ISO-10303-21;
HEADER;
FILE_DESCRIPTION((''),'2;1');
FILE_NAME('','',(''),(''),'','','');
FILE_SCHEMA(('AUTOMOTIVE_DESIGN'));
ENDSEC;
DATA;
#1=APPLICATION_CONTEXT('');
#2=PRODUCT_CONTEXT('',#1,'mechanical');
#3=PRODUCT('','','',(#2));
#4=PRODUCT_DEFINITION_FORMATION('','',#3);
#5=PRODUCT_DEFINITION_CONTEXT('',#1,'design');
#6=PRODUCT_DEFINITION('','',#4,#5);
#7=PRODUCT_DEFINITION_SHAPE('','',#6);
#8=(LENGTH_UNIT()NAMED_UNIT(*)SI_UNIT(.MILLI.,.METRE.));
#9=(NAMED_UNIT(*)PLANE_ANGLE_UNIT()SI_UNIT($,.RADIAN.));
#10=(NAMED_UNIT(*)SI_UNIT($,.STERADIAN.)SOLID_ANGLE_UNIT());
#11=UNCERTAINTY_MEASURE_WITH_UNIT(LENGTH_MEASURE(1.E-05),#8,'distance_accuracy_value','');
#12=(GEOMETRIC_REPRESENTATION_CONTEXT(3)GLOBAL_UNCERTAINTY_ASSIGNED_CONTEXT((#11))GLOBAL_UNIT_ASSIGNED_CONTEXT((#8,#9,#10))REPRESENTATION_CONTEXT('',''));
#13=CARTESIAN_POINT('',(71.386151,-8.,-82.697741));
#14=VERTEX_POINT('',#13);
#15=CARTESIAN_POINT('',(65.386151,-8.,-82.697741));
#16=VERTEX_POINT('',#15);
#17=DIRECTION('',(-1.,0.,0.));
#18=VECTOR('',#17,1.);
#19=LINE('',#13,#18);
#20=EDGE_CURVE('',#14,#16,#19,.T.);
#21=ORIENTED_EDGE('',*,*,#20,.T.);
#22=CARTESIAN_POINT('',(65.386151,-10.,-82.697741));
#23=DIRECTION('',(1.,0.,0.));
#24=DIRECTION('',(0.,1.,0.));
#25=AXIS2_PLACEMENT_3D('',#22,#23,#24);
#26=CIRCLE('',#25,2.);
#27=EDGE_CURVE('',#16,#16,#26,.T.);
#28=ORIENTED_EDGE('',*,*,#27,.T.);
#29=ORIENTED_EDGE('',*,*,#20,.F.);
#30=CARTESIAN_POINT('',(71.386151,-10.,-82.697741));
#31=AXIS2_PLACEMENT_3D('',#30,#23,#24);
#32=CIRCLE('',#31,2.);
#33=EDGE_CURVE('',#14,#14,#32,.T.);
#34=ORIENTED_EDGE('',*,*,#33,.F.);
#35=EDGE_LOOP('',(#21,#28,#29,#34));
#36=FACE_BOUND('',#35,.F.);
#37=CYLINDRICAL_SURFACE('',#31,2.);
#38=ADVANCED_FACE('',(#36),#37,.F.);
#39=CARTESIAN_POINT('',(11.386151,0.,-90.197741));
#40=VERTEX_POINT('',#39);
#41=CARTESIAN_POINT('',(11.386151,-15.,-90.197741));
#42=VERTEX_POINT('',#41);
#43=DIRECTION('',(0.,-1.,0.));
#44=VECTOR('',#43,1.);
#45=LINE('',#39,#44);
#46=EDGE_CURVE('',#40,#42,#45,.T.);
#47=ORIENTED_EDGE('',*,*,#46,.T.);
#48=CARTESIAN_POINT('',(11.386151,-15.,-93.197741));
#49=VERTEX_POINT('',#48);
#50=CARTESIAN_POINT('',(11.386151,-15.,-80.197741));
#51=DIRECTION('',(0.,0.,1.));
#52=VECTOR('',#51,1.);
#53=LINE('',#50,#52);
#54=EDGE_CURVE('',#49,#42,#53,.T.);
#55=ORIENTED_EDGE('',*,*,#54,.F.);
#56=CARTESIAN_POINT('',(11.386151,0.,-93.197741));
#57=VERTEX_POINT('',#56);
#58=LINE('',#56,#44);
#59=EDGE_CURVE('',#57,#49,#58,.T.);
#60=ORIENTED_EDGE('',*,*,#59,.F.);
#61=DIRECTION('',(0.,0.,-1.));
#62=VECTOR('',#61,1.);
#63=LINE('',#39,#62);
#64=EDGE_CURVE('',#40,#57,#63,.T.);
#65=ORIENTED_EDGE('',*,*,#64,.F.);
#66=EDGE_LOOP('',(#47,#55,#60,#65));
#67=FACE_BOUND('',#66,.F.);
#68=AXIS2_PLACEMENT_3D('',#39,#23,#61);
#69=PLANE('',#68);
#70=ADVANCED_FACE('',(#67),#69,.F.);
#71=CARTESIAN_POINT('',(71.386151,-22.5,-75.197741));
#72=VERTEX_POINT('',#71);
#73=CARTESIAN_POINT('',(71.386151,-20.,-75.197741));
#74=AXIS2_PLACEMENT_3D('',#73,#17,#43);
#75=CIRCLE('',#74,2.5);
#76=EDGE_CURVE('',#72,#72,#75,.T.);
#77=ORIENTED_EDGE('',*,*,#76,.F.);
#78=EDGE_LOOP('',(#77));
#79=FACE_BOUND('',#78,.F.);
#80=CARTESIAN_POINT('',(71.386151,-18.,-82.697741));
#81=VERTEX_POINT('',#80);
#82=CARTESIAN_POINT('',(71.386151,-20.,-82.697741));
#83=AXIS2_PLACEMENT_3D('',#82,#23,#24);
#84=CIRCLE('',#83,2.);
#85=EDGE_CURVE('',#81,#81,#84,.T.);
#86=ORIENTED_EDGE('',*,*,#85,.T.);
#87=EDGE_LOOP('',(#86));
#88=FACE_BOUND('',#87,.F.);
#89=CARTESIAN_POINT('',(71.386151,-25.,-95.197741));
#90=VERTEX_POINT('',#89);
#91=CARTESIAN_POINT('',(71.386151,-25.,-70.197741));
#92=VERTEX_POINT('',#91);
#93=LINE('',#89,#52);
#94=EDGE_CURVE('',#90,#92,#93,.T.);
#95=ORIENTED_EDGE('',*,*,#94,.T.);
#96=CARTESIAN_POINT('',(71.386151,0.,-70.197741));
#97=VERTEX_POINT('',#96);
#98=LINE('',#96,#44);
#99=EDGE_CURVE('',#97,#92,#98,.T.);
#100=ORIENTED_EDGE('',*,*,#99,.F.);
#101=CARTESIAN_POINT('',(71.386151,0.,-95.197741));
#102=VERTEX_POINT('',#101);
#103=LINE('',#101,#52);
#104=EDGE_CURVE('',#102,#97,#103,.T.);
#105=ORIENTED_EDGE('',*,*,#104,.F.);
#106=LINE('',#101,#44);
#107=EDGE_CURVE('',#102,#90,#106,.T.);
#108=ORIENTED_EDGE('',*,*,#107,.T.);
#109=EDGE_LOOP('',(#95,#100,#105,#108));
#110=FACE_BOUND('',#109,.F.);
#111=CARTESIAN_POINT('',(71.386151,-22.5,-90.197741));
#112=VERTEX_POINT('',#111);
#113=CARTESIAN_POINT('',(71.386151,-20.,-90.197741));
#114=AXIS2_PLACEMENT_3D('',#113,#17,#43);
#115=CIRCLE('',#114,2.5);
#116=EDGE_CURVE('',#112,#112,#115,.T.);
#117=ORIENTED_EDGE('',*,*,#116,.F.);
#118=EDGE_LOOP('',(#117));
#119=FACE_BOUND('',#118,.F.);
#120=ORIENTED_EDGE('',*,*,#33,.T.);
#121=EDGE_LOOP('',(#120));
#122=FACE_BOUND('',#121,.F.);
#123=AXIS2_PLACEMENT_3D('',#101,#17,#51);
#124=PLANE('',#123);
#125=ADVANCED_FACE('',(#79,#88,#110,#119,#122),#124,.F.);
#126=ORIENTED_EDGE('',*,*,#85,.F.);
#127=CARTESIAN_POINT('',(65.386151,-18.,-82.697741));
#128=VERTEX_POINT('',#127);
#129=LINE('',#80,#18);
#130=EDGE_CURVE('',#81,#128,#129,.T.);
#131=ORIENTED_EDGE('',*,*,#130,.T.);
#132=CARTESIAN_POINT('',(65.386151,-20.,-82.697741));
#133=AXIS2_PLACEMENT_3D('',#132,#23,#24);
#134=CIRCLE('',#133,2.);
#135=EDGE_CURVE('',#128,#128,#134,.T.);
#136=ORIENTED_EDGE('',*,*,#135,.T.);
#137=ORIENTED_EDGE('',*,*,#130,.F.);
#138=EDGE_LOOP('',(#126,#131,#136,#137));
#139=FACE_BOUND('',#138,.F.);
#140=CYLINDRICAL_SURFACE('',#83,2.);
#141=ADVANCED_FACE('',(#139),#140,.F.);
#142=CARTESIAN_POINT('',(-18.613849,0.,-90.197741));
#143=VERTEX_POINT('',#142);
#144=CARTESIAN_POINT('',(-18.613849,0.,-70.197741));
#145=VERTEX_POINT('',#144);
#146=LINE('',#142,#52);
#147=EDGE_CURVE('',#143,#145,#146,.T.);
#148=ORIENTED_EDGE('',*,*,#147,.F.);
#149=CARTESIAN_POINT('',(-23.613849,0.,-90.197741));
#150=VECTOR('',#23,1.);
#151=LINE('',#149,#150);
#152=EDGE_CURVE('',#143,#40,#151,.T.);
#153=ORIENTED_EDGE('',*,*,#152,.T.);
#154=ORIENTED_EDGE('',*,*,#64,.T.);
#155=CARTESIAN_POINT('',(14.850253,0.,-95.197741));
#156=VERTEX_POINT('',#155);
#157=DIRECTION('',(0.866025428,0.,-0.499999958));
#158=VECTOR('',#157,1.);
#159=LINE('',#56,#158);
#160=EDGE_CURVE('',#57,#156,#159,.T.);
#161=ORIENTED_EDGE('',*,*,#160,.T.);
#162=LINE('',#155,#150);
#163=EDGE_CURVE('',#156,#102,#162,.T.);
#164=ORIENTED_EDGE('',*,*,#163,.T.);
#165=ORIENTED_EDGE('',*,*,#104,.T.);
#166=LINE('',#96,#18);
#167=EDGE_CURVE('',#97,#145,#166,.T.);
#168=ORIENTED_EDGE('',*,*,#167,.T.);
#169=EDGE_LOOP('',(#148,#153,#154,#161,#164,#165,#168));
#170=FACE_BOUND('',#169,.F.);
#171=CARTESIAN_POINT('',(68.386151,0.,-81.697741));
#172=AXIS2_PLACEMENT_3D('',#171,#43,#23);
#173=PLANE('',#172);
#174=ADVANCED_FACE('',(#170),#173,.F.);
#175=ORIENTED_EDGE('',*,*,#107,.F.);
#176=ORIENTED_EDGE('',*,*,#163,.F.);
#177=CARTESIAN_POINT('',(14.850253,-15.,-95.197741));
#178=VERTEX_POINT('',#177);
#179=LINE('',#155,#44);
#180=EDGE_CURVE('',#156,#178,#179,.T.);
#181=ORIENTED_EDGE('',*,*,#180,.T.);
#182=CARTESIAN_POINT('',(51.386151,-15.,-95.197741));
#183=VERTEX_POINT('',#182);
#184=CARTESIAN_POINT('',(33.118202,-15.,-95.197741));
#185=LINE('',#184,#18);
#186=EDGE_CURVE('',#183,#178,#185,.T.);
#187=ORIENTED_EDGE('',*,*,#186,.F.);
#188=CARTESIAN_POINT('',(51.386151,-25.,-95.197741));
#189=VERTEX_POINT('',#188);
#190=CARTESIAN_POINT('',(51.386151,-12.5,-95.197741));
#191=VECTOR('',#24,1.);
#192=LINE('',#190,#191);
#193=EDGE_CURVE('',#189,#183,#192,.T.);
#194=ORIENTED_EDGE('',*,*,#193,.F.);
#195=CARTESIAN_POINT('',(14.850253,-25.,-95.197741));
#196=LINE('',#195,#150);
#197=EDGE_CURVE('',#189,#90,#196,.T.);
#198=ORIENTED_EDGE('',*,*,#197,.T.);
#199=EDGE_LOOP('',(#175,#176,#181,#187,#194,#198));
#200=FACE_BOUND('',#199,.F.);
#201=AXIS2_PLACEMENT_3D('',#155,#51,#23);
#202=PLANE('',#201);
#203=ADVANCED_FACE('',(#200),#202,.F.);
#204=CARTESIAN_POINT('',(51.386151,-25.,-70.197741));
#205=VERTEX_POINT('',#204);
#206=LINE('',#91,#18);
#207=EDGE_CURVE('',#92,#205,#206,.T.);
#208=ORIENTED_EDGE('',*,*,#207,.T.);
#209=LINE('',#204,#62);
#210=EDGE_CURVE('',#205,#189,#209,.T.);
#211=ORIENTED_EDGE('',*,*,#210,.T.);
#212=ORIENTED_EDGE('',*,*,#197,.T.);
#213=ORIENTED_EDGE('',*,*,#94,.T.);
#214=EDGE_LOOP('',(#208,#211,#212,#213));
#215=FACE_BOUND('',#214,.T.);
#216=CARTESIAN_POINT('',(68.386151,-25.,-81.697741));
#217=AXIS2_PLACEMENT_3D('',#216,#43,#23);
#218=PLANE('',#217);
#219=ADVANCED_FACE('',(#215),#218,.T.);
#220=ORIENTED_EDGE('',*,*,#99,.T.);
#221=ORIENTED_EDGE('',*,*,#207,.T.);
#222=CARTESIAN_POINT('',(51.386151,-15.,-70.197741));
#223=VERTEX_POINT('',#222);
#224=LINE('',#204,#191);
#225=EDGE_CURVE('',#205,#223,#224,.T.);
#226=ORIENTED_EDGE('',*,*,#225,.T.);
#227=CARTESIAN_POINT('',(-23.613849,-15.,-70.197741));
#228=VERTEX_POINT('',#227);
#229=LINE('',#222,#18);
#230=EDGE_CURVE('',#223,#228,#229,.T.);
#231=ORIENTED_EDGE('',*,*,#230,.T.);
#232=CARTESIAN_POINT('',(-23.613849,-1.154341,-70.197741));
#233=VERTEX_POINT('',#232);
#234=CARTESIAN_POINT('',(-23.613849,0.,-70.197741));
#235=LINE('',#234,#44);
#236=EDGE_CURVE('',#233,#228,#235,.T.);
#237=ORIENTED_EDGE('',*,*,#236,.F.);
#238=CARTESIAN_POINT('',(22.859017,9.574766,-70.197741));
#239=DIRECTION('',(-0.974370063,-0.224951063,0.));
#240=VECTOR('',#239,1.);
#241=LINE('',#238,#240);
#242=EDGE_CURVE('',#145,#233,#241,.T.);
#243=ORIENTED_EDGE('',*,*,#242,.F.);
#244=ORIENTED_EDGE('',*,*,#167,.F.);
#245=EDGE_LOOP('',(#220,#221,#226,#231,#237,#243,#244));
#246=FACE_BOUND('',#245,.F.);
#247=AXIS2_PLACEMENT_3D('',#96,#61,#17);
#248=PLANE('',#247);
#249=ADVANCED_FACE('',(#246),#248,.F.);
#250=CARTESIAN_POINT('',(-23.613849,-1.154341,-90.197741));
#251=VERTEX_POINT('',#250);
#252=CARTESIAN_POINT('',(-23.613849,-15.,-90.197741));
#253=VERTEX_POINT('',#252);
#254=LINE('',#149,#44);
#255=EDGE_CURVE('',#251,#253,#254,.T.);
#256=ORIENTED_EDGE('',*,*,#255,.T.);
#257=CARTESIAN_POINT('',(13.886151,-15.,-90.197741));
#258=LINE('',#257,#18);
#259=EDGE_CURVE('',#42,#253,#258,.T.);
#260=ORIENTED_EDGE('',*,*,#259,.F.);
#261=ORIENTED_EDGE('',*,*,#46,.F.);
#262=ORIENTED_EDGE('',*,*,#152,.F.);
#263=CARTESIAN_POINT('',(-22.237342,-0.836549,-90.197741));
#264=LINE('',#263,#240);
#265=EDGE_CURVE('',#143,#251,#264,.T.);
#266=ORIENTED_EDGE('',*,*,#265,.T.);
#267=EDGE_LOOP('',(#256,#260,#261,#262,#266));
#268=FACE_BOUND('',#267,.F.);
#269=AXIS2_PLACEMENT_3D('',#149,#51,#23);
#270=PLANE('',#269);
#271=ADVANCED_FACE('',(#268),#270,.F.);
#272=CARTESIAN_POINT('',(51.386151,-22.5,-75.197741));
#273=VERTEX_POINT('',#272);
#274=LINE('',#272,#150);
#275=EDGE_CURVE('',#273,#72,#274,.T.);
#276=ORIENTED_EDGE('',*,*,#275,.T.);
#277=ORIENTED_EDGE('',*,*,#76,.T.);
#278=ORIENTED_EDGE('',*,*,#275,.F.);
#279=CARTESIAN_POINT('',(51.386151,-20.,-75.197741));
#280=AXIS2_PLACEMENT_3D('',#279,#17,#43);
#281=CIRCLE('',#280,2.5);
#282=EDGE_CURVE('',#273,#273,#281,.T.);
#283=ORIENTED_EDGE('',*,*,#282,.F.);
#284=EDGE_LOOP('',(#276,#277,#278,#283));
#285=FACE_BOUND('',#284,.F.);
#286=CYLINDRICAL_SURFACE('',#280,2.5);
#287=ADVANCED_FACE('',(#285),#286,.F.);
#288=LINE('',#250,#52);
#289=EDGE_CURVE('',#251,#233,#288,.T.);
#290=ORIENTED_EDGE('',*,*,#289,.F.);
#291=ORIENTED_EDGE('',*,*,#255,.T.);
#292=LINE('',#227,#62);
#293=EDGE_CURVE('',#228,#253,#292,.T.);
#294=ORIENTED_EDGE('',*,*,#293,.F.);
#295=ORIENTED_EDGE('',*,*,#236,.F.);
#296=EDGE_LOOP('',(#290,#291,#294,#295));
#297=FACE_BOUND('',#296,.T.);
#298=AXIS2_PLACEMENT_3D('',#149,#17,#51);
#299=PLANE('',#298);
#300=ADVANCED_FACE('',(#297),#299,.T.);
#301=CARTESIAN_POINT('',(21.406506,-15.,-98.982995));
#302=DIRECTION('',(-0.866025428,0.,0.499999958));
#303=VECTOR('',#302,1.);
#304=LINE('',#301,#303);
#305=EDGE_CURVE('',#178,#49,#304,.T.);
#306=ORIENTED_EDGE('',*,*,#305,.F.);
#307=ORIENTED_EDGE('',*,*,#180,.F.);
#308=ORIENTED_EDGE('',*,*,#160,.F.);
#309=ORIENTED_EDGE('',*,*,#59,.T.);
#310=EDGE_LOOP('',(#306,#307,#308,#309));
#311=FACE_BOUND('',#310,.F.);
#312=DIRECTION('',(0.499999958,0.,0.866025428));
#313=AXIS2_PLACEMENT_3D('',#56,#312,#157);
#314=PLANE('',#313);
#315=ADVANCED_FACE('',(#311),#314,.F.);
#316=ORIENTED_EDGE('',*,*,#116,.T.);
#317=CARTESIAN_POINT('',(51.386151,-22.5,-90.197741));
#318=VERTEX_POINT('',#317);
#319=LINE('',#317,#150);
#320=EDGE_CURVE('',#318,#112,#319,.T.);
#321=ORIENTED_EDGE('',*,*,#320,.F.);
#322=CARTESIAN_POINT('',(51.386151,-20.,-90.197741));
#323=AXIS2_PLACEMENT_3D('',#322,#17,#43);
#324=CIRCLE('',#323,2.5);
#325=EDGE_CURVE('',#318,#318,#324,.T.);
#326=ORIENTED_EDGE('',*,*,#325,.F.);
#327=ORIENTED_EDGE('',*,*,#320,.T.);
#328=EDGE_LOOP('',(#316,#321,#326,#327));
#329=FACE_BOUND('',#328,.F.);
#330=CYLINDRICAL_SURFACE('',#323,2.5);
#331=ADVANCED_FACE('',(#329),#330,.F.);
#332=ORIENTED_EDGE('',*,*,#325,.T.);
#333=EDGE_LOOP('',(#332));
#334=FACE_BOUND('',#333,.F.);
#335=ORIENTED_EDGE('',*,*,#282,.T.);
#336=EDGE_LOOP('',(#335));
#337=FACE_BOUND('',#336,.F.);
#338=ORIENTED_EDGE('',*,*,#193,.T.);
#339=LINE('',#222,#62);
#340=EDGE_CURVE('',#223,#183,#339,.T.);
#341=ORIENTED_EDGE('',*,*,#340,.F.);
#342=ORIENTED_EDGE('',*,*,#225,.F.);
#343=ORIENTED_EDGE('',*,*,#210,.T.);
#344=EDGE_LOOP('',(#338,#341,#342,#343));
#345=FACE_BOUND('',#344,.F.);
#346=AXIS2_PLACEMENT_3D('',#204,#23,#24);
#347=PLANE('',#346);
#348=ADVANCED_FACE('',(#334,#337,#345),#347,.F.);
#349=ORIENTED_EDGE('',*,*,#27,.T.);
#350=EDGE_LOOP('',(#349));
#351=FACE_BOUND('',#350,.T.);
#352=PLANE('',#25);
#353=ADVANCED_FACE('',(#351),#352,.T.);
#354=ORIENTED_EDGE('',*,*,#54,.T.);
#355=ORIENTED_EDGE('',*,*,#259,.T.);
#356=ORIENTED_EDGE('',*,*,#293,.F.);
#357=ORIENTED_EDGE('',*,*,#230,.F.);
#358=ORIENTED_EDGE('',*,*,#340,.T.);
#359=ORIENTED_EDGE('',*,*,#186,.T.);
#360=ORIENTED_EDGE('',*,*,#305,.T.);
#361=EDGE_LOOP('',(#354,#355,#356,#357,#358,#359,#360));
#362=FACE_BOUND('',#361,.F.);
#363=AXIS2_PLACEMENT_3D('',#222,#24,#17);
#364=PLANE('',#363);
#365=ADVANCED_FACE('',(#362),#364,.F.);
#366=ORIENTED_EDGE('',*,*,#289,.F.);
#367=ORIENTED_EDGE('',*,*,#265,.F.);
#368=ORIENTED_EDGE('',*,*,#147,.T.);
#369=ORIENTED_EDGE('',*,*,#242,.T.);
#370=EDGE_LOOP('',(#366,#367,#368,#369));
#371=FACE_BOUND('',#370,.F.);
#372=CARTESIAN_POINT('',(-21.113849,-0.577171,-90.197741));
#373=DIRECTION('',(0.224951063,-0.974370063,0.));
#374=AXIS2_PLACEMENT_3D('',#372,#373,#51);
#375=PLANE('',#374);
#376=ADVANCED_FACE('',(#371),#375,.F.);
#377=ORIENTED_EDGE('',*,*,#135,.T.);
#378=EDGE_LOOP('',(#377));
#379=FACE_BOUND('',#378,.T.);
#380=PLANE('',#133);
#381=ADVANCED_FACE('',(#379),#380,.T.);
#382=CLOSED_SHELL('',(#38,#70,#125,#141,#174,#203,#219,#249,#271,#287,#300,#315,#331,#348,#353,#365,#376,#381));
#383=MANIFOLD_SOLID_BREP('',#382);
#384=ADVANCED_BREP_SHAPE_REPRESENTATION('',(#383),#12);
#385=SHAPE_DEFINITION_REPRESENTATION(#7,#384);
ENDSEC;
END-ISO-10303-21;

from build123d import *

# Parameters (mm, degrees)
F0_W     = 6
F0_H     = 2
F0_W_2   = 3.464102
F0_H_2   = 20
F0_W_3   = 20
F0_H_3   = 5
F1_DEPTH = 25
F3_DEPTH = 25.001
F4_R     = 2.5
F5_DEPTH = 20.001
F6_R     = 2
F7_DEPTH = 6
F8_SIZE2 = 1.154341
F8_SIZE  = 5


with BuildPart() as f1:
    # F0 (on Front) → F1 (new body)
    with BuildSketch(Plane.XZ):
        with Locations((68.386151, -81.697741)):
            Rectangle(F0_W, F0_H)
        with Locations((68.386151, -83.697741)):
            Rectangle(F0_W, F0_H)
        Polygon((51.386151, -75.197741), (51.386151, -70.197741), (-20.149747, -70.197741), (-20.149747, -90.197741), (11.386151, -90.197741), (11.386151, -93.197741), (14.850253, -95.197741), (51.386151, -95.197741), (51.386151, -90.197741), align=None)
        with Locations((-21.881798, -80.197741)):
            Rectangle(F0_W_2, F0_H_2)
        with Locations((61.386151, -72.697741)):
            Rectangle(F0_W_3, F0_H_3)
        with Locations((61.386151, -92.697741)):
            Rectangle(F0_W_3, F0_H_3)
        Polygon((71.386151, -80.697741), (71.386151, -75.197741), (51.386151, -75.197741), (51.386151, -90.197741), (71.386151, -90.197741), (71.386151, -84.697741), (65.386151, -84.697741), (64.231451, -82.697741), (65.386151, -80.697741), align=None)
        Polygon((65.386151, -82.697741), (65.386151, -80.697741), (64.231451, -82.697741), align=None)
        Polygon((65.386151, -84.697741), (65.386151, -82.697741), (64.231451, -82.697741), align=None)
    extrude(amount=F1_DEPTH)

    # F2 (on face) → F3 (cut, through all)
    with BuildSketch(Plane.XY.offset(-70.197741)):
        Polygon((-23.613849, -25), (51.386151, -25), (51.386151, -20), (51.386151, -15), (11.386151, -15), (-23.613849, -15), align=None)
    extrude(amount=-F3_DEPTH, mode=Mode.SUBTRACT)

    # F4 (on face) → F5 (cut, through all)
    with BuildSketch(Plane(origin=(51.386151, 0, 0), x_dir=(0, -1, 0), z_dir=(-1, 0, 0))):
        with Locations((20, -75.197741)):
            Circle(F4_R)
        with Locations((20, -90.197741)):
            Circle(F4_R)
    extrude(amount=-F5_DEPTH, mode=Mode.SUBTRACT)

    # F6 (on face) → F7 (cut)
    with BuildSketch(Plane.YZ.offset(71.386151)):
        with Locations((-20, -82.697741)):
            Circle(F6_R)
        with Locations((-10, -82.697741)):
            Circle(F6_R)
    extrude(amount=-F7_DEPTH, mode=Mode.SUBTRACT)

    # F8
    f8_edges = [f1.edges().sort_by_distance(p)[0] for p in [
        (-23.613849, 0, -80.197741),
    ]]
    chamfer(f8_edges, length=F8_SIZE, length2=F8_SIZE2)


solid = f1.part
